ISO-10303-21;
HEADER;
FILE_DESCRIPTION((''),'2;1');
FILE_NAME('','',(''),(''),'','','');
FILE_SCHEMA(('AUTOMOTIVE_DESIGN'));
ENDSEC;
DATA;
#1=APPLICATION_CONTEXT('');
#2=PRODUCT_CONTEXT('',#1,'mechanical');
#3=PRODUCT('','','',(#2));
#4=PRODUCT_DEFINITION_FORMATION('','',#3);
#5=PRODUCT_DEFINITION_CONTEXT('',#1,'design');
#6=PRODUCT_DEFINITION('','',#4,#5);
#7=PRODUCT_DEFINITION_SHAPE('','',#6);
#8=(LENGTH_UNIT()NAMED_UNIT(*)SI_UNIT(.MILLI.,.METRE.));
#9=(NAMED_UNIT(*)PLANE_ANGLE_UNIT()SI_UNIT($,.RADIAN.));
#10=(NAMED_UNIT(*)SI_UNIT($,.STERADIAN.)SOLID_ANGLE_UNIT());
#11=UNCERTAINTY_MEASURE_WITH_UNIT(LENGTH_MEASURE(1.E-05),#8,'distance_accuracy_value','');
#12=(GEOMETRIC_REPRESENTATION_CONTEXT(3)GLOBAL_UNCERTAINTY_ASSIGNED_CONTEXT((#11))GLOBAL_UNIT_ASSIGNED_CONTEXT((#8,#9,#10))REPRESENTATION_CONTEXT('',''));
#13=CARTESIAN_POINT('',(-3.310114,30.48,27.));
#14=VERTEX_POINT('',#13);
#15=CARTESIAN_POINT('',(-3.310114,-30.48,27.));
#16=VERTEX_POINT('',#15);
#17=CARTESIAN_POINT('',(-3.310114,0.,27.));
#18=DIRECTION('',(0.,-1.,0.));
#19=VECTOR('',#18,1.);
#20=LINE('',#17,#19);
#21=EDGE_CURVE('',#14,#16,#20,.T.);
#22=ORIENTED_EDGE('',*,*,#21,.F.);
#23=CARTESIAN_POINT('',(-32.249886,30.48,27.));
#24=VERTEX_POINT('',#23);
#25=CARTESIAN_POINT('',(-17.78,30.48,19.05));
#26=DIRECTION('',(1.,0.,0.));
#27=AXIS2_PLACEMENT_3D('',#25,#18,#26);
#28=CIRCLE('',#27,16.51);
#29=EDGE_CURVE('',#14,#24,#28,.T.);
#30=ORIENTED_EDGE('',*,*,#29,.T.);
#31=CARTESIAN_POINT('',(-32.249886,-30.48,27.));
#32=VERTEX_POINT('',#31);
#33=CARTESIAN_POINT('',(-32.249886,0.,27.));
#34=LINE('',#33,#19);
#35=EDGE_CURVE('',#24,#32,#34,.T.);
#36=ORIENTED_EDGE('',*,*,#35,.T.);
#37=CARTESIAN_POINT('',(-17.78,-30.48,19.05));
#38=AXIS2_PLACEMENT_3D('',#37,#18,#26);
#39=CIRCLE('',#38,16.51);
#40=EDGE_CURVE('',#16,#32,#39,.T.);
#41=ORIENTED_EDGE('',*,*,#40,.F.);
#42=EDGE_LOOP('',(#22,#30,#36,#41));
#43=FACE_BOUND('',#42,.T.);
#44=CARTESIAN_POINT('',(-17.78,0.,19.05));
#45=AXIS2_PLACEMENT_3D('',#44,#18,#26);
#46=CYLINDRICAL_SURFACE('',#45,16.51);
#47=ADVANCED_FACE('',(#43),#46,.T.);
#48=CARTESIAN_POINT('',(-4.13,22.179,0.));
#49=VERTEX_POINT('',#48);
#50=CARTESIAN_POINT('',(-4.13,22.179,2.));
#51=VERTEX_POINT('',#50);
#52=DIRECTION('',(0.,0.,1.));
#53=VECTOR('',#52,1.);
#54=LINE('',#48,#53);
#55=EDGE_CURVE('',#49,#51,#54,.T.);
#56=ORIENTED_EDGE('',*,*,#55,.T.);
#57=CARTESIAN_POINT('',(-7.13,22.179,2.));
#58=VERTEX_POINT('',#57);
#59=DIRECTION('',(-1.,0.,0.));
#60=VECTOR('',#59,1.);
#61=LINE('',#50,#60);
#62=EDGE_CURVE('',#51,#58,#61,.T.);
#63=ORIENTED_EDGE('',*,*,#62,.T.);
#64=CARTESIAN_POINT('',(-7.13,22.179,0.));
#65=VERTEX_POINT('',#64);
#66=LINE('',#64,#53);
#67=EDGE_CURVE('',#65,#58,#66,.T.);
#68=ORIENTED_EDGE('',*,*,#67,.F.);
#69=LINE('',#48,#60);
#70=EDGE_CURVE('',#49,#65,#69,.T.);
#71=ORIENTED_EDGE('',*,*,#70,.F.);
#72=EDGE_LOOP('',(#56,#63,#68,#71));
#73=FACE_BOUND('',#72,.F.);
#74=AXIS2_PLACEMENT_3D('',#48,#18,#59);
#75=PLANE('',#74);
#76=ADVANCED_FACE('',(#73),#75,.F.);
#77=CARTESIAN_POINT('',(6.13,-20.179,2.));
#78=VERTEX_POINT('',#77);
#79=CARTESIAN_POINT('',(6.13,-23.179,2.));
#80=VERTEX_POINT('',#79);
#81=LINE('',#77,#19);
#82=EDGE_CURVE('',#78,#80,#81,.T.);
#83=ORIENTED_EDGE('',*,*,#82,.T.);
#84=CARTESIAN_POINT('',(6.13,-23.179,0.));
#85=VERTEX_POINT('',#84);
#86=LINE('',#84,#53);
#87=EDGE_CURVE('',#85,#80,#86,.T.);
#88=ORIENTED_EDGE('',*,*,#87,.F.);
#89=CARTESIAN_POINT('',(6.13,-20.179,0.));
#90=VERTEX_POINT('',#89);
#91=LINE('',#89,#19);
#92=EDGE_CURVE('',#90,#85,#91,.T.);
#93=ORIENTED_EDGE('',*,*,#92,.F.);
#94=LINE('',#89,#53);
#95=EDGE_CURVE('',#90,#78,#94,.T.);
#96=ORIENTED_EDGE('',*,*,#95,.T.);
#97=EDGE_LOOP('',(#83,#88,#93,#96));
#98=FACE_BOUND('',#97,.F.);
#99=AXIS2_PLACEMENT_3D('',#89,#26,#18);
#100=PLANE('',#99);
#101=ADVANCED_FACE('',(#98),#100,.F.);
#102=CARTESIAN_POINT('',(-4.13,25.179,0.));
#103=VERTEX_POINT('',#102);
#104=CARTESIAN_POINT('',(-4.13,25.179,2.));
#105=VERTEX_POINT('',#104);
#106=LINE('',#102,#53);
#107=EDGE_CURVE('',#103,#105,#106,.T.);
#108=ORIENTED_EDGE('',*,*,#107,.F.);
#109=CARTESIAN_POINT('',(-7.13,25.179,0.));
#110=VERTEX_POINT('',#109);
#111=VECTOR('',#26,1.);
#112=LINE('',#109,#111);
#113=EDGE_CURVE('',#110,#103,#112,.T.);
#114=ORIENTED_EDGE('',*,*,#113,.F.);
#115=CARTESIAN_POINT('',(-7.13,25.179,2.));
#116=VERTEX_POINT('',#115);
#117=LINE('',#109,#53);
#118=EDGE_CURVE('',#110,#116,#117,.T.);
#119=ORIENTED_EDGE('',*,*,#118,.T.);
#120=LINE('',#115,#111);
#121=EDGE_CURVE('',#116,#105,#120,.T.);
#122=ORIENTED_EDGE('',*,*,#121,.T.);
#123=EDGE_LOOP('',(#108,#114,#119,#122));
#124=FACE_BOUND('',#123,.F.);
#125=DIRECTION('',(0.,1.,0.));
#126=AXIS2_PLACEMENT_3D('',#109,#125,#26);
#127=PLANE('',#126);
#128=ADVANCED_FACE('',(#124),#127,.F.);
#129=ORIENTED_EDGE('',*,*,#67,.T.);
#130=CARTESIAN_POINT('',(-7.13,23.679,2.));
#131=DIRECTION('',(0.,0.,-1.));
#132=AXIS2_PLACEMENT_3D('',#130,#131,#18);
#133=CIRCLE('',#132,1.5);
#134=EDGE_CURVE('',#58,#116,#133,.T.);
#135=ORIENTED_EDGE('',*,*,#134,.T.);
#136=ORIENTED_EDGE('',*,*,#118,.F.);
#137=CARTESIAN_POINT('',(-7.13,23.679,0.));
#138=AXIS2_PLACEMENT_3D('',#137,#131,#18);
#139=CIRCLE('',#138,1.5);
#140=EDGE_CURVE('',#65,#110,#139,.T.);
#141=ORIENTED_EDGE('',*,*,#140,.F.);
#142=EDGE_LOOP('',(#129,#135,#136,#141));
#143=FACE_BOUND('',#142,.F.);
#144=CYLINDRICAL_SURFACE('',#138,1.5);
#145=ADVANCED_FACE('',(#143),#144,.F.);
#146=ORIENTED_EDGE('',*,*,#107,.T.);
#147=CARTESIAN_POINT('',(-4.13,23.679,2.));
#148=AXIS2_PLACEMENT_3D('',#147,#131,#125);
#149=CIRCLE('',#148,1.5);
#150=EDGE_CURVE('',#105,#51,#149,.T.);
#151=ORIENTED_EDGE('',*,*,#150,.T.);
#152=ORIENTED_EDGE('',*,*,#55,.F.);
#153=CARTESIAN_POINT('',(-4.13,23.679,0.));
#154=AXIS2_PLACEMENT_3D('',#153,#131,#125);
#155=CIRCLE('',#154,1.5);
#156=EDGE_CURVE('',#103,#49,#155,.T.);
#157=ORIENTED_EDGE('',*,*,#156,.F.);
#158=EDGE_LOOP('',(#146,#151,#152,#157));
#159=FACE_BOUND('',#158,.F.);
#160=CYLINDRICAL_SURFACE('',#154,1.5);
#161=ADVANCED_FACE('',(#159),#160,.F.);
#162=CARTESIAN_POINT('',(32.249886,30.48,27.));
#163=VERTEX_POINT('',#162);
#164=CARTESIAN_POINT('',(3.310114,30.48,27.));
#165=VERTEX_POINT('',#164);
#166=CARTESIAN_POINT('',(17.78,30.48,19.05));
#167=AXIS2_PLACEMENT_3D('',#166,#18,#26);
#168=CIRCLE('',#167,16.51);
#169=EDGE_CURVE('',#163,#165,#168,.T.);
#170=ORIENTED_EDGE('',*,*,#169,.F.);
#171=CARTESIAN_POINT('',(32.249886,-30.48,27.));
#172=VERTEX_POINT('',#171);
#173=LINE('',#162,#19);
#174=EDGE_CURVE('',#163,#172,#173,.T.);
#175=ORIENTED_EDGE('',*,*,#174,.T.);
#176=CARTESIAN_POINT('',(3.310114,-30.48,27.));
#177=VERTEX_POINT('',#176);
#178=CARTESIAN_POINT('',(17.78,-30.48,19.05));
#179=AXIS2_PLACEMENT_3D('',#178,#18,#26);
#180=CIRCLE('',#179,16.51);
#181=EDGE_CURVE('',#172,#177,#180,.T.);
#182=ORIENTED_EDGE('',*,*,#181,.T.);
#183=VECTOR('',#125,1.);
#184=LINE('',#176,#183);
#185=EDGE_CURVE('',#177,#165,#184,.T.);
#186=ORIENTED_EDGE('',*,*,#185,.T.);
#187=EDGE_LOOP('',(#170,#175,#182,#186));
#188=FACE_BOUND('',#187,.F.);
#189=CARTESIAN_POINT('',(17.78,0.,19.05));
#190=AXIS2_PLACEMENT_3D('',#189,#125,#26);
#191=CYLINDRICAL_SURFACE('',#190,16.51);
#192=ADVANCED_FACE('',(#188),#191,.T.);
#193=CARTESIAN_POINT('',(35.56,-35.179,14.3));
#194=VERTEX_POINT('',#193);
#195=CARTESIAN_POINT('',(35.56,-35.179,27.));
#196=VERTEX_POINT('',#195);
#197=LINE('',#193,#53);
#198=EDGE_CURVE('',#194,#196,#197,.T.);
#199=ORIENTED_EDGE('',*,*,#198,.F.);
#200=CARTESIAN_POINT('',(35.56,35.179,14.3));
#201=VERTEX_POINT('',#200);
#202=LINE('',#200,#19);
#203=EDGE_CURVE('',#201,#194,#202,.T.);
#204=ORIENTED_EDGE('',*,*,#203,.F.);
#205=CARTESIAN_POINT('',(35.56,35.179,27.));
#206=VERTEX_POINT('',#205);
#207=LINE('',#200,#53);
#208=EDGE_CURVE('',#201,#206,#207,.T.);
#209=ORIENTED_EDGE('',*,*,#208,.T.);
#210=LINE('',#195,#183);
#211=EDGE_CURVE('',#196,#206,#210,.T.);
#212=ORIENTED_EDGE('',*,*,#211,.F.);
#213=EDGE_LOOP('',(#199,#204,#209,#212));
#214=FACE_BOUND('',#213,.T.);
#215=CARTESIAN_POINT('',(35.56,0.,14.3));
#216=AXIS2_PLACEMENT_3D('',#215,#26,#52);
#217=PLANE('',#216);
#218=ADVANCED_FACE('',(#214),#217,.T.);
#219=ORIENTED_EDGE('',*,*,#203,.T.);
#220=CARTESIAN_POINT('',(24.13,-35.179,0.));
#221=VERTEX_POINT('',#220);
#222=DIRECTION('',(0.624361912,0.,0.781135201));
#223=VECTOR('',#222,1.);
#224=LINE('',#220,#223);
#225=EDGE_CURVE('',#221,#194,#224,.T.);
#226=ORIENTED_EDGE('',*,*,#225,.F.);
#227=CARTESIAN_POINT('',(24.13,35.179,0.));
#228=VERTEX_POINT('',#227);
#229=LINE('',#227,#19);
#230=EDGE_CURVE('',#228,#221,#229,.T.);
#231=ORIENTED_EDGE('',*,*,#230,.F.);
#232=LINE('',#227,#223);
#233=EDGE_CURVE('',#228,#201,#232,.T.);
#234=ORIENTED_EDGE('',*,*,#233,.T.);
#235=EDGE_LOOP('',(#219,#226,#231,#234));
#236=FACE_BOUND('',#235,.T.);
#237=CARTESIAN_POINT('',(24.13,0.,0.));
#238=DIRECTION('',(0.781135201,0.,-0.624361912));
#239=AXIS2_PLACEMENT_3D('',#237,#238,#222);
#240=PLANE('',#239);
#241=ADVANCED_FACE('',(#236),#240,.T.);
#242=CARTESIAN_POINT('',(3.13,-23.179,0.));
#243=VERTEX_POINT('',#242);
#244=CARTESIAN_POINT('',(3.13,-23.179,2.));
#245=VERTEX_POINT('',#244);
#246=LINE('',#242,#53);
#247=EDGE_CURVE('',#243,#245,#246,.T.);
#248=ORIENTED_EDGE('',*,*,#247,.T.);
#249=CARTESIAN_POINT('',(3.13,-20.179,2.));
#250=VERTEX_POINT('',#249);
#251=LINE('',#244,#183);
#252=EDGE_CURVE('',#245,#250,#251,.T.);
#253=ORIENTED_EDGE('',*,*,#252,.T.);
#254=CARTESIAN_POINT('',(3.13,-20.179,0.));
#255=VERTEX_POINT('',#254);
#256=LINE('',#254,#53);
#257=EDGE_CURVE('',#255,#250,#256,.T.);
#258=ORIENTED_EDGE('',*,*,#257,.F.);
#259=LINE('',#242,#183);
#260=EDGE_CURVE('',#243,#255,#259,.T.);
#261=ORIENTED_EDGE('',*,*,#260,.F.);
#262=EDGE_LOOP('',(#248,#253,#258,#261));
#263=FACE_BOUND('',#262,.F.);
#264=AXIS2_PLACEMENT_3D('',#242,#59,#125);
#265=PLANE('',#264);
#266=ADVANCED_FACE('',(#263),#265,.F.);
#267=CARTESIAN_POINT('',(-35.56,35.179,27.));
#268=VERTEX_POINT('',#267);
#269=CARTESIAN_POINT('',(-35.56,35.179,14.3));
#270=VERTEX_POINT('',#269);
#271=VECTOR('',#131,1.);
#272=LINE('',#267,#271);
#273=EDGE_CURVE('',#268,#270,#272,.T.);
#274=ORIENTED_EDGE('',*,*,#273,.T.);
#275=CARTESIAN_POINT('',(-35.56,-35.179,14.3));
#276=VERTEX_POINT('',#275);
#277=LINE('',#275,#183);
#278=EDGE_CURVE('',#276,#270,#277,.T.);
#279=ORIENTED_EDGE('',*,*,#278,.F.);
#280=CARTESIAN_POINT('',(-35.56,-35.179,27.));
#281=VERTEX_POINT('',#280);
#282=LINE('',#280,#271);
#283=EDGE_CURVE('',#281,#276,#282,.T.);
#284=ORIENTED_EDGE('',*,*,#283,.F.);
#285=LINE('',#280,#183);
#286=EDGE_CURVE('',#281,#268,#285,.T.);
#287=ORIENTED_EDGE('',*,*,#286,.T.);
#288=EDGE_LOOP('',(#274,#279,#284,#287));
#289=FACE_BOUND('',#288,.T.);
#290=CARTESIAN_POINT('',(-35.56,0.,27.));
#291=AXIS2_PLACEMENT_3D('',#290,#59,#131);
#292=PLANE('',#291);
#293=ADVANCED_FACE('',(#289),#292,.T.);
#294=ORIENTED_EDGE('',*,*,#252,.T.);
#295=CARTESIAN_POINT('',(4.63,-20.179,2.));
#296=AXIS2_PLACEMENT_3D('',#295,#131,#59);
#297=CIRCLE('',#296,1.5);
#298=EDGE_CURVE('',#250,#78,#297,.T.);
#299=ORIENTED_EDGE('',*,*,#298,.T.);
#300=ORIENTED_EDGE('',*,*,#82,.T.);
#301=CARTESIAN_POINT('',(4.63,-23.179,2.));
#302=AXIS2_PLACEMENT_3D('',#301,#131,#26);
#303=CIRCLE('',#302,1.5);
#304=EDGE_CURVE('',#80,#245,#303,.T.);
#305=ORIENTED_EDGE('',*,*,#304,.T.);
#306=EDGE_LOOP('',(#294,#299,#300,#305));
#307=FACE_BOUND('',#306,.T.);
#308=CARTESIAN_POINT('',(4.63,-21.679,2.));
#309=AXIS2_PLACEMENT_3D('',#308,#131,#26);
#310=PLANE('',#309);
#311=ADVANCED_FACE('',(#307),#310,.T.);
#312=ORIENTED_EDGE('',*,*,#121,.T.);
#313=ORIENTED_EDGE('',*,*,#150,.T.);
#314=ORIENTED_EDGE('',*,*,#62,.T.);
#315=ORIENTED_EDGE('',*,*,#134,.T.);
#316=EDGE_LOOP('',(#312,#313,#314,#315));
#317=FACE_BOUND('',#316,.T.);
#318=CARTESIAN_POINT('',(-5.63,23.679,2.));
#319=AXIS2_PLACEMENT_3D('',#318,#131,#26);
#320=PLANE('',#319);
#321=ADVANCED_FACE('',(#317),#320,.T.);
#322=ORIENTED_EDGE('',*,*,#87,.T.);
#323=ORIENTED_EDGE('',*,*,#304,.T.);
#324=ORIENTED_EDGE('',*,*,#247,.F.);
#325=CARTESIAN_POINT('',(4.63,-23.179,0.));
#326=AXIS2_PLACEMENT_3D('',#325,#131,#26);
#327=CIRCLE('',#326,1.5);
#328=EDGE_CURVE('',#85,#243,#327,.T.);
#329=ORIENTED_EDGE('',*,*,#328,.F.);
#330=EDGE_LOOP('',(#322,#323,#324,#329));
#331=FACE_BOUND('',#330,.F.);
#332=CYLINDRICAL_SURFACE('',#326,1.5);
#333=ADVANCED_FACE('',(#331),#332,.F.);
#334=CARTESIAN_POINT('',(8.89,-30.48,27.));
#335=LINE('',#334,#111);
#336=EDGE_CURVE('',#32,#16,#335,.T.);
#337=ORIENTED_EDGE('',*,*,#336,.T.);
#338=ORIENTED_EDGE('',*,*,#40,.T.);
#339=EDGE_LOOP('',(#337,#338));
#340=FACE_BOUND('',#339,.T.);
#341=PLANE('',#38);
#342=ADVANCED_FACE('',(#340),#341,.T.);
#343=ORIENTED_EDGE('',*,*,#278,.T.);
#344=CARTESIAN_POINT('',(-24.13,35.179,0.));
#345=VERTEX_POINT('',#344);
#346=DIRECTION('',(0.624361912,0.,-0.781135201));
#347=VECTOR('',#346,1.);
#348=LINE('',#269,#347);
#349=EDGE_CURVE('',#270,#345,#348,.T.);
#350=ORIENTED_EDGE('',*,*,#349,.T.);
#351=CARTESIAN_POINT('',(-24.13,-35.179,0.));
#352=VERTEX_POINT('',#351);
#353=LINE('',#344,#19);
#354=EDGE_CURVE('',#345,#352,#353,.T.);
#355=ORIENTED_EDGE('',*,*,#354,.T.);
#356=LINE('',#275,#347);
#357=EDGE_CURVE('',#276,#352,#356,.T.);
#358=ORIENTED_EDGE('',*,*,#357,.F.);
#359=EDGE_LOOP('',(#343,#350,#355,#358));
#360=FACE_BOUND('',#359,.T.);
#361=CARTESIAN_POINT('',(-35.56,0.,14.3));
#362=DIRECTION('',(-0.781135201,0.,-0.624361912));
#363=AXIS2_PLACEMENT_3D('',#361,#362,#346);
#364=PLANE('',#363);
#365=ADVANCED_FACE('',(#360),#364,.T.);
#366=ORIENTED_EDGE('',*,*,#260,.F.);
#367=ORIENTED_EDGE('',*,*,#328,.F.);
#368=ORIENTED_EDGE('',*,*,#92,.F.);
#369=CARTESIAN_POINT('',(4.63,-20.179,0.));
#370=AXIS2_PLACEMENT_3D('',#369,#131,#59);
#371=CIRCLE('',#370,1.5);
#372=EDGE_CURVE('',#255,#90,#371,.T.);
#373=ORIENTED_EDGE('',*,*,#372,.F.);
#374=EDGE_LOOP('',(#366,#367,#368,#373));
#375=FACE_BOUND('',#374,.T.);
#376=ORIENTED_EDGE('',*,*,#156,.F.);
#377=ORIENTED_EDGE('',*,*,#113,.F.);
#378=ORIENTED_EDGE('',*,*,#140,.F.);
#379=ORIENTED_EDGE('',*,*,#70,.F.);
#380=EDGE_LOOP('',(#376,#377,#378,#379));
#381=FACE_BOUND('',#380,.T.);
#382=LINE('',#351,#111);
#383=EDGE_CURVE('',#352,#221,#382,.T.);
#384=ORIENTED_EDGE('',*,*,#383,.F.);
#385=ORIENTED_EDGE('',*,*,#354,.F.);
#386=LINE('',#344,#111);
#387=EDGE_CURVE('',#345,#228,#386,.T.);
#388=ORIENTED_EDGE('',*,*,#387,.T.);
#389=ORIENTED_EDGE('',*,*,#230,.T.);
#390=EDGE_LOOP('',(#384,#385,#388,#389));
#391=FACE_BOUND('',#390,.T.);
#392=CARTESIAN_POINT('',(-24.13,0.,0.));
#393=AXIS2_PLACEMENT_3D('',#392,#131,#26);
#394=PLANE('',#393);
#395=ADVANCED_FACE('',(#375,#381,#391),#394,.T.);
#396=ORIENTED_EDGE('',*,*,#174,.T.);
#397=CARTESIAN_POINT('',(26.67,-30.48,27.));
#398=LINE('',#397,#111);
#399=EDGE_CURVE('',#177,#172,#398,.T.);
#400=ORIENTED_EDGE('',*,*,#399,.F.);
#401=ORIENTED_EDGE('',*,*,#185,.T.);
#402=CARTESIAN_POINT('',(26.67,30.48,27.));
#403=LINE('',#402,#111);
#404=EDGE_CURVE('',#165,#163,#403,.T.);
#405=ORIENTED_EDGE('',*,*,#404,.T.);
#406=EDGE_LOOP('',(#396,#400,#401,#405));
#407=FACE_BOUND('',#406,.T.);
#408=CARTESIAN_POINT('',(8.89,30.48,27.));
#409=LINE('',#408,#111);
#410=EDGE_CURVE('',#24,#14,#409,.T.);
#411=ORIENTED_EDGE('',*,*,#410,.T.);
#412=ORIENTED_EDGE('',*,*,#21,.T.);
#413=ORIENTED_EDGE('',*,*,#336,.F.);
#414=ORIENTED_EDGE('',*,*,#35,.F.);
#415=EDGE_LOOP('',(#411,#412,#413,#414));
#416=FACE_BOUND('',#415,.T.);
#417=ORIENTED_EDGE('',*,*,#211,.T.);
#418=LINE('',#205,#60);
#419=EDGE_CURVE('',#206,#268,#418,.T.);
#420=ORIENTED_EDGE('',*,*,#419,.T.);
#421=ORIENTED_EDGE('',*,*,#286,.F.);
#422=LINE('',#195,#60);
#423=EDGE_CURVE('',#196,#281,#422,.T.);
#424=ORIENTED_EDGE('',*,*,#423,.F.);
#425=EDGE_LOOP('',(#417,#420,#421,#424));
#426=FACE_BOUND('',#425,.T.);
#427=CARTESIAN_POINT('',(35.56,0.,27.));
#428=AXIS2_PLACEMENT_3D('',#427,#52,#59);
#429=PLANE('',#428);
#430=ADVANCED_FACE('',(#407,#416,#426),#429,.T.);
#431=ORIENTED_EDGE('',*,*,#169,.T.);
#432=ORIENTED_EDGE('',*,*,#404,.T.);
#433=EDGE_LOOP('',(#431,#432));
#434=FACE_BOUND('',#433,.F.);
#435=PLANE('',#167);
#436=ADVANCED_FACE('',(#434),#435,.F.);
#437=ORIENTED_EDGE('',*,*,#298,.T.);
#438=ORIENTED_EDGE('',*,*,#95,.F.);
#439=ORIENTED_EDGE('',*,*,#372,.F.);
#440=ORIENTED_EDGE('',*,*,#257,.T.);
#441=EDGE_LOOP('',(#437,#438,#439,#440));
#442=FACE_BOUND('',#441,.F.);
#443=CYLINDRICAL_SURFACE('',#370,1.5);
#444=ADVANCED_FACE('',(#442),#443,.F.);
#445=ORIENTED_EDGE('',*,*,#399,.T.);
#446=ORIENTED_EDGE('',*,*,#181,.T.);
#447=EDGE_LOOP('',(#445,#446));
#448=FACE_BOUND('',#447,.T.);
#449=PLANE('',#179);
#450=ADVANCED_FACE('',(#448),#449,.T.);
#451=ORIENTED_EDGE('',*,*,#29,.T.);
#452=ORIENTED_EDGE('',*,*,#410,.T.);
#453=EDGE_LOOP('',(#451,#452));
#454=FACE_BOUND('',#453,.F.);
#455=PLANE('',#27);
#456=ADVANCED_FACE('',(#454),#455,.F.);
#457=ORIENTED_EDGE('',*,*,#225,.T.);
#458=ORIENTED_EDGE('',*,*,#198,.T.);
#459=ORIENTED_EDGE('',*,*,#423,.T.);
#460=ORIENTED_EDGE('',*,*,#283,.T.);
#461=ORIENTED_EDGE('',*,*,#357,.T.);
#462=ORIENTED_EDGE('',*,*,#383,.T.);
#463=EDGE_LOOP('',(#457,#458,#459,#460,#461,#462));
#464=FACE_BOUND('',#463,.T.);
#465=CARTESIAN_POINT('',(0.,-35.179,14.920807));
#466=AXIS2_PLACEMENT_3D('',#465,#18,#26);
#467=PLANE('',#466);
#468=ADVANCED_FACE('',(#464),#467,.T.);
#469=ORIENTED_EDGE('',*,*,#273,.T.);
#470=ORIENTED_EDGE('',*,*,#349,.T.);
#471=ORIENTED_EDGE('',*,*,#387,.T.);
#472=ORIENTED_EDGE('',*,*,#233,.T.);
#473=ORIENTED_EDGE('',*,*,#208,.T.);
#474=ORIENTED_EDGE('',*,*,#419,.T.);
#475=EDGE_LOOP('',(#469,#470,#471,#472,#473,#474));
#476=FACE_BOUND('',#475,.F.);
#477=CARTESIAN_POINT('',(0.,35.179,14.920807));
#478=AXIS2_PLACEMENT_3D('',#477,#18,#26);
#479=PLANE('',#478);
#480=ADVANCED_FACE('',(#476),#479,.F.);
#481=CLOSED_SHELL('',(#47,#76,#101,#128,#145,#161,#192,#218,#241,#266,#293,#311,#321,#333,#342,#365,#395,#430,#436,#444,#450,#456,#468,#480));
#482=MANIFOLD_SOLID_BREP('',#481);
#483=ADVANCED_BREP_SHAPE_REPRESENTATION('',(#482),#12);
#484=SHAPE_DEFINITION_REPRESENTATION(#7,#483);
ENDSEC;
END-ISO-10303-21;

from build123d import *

# Parameters (mm, degrees)
F2_DEPTH = 35.179
F1_R     = 16.51
F3_DEPTH = 30.48
F5_DEPTH = 2


with BuildPart() as f2:
    # F0 (on Front) → F2 (new body, symmetric)
    with BuildSketch(Plane.XZ):
        Polygon((-35.56, 14.3), (-24.13, 0), (24.13, 0), (35.56, 14.3), (35.56, 27), (-35.56, 27), align=None)
    extrude(amount=F2_DEPTH, both=True)

    # F1 (on Front) → F3 (join, symmetric)
    with BuildSketch(Plane.XZ):
        with Locations((17.78, 19.05)):
            Circle(F1_R)
        with Locations((-17.78, 19.05)):
            Circle(F1_R)
    extrude(amount=F3_DEPTH, both=True)

    # F4 (on face) → F5 (cut)
    with BuildSketch(Plane(origin=(0, 0, 0), x_dir=(1, 0, 0), z_dir=(0, 0, -1))):
        with BuildLine():
            ThreePointArc((6.13, 23.179), (4.63, 24.679), (3.13, 23.179))
            Line((3.13, 23.179), (3.13, 20.179))
            ThreePointArc((3.13, 20.179), (4.63, 18.679), (6.13, 20.179))
            Line((6.13, 20.179), (6.13, 23.179))
        make_face()
        with BuildLine():
            ThreePointArc((-7.13, -22.179), (-8.63, -23.679), (-7.13, -25.179))
            Line((-7.13, -25.179), (-4.13, -25.179))
            ThreePointArc((-4.13, -25.179), (-2.63, -23.679), (-4.13, -22.179))
            Line((-4.13, -22.179), (-7.13, -22.179))
        make_face()
    extrude(amount=-F5_DEPTH, mode=Mode.SUBTRACT)


solid = f2.part
